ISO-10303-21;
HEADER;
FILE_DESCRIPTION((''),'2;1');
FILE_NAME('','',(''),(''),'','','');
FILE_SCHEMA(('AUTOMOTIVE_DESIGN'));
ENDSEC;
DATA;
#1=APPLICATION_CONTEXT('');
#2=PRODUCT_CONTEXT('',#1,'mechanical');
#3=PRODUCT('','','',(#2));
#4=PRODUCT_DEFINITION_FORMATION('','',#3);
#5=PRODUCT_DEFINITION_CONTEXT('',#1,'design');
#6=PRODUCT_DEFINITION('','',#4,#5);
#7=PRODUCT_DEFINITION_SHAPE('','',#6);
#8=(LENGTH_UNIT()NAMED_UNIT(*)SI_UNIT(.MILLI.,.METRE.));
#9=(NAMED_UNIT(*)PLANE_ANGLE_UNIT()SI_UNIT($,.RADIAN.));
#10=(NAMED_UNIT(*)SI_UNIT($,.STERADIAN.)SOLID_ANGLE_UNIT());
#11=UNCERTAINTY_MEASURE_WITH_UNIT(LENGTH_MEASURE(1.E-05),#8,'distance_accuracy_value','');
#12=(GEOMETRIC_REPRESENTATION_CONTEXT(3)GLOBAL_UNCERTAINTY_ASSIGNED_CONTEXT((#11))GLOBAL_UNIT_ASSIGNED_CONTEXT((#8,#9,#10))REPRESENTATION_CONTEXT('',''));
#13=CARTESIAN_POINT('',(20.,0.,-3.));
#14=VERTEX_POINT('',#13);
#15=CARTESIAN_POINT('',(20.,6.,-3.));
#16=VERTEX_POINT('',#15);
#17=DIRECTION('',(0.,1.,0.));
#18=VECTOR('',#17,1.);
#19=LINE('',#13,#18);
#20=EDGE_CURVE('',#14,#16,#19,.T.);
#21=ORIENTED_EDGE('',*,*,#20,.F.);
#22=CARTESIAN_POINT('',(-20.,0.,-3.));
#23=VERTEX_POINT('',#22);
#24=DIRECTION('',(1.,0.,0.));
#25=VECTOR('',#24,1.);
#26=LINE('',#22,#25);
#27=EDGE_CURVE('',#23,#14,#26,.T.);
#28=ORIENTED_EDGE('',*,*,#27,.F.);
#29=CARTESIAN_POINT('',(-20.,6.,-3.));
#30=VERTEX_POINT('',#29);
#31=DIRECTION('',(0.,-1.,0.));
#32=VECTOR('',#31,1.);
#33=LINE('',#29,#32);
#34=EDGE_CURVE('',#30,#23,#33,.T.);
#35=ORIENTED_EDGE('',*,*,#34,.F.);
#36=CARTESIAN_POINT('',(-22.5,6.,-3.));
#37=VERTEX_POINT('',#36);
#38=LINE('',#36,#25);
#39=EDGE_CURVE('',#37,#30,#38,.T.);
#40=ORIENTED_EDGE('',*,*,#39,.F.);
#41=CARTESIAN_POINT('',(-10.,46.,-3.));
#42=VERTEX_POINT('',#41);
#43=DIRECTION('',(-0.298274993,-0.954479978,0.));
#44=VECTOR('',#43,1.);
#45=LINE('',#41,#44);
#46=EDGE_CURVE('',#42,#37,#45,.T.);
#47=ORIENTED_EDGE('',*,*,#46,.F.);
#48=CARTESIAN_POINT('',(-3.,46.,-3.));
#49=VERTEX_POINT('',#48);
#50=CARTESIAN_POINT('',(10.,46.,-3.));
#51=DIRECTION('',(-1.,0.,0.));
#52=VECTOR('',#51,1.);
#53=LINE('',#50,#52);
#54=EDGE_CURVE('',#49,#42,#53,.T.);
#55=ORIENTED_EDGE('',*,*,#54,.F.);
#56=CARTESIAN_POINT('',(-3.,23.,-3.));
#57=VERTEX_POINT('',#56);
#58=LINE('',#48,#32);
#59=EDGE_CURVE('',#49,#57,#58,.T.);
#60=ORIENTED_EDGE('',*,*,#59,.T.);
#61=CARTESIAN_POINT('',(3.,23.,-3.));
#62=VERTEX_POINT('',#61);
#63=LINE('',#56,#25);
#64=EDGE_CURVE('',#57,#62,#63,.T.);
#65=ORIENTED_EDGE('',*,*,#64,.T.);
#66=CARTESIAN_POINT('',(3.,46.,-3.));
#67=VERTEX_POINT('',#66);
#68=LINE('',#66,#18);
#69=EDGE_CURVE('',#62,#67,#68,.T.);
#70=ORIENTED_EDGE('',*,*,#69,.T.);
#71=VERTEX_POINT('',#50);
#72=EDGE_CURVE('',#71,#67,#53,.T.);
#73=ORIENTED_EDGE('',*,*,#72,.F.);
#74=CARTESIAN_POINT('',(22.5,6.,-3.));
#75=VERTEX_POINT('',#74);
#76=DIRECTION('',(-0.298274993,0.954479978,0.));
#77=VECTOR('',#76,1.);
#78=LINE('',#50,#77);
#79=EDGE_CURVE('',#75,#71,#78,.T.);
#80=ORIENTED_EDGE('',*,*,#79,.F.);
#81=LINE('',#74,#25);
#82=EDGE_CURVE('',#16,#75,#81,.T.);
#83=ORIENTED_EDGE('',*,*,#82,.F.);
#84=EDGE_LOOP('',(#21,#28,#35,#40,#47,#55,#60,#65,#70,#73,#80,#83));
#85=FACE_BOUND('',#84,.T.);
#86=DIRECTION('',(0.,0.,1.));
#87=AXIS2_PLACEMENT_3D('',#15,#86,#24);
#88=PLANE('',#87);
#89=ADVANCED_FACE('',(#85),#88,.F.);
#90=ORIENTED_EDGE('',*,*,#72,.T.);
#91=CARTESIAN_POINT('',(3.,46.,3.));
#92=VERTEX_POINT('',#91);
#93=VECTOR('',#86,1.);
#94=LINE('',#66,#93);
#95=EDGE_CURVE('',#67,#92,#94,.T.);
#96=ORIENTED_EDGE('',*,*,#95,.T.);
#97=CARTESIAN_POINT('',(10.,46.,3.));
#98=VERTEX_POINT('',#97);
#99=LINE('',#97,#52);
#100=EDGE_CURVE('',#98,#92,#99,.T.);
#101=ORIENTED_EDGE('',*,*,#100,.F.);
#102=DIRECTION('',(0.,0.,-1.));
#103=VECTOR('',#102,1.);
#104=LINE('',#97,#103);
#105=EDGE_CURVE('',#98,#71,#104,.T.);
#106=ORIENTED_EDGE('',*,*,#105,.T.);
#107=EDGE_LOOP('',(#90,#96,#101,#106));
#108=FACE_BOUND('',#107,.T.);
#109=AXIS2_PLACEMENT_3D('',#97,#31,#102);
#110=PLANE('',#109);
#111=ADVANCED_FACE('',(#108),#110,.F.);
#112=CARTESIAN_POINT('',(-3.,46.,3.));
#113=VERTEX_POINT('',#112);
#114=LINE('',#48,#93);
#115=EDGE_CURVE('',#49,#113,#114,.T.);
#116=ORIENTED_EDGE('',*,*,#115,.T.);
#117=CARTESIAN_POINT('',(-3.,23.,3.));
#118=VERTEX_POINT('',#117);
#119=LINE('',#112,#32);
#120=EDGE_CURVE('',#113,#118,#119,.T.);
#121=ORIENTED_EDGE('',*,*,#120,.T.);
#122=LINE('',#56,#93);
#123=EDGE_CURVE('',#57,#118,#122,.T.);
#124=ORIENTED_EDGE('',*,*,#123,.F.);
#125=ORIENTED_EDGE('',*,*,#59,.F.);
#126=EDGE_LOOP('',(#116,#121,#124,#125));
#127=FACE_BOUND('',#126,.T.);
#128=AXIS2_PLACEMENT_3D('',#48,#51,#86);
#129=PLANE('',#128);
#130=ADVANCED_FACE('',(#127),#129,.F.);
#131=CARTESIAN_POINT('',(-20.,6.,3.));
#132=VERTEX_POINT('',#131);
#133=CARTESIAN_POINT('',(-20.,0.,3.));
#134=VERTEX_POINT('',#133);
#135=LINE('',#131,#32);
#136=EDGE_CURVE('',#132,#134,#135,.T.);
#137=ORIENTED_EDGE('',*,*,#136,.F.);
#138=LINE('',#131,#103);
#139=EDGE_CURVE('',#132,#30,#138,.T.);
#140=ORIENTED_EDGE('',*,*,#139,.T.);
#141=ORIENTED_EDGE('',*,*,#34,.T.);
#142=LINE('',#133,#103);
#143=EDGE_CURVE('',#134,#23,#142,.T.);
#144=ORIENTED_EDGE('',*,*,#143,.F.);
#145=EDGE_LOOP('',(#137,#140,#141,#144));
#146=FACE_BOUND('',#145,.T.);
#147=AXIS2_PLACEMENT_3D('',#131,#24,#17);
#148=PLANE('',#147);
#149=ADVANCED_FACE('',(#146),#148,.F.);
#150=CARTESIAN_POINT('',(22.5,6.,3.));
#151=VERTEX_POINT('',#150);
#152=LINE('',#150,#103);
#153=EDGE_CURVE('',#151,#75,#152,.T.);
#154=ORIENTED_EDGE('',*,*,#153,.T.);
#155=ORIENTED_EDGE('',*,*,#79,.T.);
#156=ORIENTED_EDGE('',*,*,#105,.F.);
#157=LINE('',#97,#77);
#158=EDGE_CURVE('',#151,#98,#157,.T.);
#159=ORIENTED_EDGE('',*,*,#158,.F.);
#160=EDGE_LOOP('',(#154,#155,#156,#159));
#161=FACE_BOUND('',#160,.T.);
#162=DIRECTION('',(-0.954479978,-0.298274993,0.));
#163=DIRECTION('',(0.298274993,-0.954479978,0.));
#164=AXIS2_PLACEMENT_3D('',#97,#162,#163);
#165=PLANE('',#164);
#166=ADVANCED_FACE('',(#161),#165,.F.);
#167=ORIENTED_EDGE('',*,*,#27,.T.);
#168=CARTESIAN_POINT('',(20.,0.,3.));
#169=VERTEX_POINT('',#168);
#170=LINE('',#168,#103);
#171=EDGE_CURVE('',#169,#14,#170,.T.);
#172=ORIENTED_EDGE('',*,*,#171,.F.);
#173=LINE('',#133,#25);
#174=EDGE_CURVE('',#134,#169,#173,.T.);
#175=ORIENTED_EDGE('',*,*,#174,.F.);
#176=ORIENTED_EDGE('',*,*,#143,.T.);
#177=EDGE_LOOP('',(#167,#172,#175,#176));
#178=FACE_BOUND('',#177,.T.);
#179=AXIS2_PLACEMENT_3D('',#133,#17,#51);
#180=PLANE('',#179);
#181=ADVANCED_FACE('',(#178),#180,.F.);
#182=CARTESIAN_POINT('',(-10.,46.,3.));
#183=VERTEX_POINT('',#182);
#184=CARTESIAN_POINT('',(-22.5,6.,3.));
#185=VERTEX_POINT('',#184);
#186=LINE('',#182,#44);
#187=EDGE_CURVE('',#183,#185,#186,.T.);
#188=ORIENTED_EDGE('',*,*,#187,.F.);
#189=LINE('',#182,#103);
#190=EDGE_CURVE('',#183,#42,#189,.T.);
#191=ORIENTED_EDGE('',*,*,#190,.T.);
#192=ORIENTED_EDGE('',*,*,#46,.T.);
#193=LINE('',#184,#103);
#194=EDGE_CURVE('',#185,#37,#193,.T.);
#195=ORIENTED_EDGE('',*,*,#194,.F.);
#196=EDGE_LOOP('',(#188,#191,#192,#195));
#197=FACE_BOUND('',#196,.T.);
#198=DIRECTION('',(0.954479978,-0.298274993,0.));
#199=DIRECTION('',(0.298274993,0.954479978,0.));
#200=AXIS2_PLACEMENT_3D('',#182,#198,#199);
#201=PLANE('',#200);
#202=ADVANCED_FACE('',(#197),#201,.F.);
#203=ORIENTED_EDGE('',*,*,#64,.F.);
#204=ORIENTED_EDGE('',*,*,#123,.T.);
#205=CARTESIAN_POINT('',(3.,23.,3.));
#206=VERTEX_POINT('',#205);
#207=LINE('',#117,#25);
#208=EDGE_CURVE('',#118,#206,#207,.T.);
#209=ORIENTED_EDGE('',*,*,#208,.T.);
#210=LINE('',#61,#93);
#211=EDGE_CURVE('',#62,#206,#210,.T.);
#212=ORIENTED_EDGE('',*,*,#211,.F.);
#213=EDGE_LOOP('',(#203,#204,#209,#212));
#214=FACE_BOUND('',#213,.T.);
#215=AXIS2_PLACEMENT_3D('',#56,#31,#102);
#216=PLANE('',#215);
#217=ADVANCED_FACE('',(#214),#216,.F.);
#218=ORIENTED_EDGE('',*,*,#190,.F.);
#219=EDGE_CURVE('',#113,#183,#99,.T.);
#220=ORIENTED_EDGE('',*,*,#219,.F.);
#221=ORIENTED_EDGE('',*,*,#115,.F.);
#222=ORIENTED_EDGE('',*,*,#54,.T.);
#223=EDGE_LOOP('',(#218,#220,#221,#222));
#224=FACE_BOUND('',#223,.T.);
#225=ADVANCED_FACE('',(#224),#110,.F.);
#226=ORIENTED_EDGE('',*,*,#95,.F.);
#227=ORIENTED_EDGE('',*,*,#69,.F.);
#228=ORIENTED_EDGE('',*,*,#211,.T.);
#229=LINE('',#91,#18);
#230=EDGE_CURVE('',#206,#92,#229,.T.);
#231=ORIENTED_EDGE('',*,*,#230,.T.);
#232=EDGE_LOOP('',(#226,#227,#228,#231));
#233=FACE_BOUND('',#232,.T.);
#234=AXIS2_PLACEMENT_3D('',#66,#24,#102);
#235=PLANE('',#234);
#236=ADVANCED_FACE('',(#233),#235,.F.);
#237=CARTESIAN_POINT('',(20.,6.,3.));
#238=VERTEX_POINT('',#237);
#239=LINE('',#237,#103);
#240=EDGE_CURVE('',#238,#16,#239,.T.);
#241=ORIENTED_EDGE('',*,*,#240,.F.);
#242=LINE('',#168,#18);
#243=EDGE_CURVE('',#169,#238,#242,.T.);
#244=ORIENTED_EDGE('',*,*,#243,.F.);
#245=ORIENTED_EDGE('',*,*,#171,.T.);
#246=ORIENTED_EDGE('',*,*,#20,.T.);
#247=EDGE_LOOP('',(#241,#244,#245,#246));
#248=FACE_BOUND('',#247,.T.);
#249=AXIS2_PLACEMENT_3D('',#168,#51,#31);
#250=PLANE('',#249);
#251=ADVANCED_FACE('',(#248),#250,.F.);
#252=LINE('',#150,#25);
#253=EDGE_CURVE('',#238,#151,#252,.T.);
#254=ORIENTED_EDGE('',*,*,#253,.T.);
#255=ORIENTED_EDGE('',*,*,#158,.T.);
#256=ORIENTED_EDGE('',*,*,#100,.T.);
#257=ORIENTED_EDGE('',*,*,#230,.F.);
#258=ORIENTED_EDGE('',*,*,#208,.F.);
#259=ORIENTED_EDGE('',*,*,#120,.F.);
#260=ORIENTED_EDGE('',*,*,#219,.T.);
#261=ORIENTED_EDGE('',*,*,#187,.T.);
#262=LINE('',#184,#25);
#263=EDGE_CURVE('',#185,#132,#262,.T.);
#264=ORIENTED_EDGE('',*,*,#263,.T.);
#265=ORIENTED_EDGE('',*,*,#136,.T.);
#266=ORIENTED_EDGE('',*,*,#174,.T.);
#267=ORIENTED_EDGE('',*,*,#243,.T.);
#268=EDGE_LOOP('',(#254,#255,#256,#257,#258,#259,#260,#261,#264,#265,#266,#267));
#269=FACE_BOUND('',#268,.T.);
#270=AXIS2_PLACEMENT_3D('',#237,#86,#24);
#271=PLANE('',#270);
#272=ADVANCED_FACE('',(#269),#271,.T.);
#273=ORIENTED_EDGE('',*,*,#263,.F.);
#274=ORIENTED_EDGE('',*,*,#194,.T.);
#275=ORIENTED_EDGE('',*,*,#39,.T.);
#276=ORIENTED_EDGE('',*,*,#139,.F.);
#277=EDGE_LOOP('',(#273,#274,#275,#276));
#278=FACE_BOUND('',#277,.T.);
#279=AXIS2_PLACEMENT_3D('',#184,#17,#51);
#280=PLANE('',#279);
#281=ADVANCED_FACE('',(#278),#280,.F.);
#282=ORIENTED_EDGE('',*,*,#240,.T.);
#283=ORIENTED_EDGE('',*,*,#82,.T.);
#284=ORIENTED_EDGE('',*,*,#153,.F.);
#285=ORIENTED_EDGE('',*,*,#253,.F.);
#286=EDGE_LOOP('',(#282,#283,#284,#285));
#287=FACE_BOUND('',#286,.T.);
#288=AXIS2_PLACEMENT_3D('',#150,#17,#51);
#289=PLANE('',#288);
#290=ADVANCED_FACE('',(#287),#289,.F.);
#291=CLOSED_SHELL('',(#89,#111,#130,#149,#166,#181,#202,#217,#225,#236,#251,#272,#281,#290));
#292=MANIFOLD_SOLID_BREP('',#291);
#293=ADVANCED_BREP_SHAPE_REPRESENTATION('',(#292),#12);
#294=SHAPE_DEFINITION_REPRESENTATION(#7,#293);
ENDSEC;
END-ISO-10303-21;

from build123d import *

# Parameters (mm, degrees)
BOSS_EXTRUDE1_DEPTH = 3
SKETCH2_W           = 6
SKETCH2_H           = 23
CUT_EXTRUDE1_DEPTH  = 7


with BuildPart() as part:
    # Sketch1 → Boss-Extrude1 (new body, symmetric)
    with BuildSketch(Plane.XY):
        Polygon((-20, 0), (20, 0), (20, 6), (22.5, 6), (10, 46), (-10, 46), (-22.5, 6), (-20, 6), align=None)
    extrude(amount=BOSS_EXTRUDE1_DEPTH, both=True)

    # Sketch2 → Cut-Extrude1 (cut, through all)
    with BuildSketch(Plane.XY.offset(3)):
        with Locations((0, 34.5)):
            Rectangle(SKETCH2_W, SKETCH2_H)
    extrude(amount=-CUT_EXTRUDE1_DEPTH, mode=Mode.SUBTRACT)


solid = part.part
